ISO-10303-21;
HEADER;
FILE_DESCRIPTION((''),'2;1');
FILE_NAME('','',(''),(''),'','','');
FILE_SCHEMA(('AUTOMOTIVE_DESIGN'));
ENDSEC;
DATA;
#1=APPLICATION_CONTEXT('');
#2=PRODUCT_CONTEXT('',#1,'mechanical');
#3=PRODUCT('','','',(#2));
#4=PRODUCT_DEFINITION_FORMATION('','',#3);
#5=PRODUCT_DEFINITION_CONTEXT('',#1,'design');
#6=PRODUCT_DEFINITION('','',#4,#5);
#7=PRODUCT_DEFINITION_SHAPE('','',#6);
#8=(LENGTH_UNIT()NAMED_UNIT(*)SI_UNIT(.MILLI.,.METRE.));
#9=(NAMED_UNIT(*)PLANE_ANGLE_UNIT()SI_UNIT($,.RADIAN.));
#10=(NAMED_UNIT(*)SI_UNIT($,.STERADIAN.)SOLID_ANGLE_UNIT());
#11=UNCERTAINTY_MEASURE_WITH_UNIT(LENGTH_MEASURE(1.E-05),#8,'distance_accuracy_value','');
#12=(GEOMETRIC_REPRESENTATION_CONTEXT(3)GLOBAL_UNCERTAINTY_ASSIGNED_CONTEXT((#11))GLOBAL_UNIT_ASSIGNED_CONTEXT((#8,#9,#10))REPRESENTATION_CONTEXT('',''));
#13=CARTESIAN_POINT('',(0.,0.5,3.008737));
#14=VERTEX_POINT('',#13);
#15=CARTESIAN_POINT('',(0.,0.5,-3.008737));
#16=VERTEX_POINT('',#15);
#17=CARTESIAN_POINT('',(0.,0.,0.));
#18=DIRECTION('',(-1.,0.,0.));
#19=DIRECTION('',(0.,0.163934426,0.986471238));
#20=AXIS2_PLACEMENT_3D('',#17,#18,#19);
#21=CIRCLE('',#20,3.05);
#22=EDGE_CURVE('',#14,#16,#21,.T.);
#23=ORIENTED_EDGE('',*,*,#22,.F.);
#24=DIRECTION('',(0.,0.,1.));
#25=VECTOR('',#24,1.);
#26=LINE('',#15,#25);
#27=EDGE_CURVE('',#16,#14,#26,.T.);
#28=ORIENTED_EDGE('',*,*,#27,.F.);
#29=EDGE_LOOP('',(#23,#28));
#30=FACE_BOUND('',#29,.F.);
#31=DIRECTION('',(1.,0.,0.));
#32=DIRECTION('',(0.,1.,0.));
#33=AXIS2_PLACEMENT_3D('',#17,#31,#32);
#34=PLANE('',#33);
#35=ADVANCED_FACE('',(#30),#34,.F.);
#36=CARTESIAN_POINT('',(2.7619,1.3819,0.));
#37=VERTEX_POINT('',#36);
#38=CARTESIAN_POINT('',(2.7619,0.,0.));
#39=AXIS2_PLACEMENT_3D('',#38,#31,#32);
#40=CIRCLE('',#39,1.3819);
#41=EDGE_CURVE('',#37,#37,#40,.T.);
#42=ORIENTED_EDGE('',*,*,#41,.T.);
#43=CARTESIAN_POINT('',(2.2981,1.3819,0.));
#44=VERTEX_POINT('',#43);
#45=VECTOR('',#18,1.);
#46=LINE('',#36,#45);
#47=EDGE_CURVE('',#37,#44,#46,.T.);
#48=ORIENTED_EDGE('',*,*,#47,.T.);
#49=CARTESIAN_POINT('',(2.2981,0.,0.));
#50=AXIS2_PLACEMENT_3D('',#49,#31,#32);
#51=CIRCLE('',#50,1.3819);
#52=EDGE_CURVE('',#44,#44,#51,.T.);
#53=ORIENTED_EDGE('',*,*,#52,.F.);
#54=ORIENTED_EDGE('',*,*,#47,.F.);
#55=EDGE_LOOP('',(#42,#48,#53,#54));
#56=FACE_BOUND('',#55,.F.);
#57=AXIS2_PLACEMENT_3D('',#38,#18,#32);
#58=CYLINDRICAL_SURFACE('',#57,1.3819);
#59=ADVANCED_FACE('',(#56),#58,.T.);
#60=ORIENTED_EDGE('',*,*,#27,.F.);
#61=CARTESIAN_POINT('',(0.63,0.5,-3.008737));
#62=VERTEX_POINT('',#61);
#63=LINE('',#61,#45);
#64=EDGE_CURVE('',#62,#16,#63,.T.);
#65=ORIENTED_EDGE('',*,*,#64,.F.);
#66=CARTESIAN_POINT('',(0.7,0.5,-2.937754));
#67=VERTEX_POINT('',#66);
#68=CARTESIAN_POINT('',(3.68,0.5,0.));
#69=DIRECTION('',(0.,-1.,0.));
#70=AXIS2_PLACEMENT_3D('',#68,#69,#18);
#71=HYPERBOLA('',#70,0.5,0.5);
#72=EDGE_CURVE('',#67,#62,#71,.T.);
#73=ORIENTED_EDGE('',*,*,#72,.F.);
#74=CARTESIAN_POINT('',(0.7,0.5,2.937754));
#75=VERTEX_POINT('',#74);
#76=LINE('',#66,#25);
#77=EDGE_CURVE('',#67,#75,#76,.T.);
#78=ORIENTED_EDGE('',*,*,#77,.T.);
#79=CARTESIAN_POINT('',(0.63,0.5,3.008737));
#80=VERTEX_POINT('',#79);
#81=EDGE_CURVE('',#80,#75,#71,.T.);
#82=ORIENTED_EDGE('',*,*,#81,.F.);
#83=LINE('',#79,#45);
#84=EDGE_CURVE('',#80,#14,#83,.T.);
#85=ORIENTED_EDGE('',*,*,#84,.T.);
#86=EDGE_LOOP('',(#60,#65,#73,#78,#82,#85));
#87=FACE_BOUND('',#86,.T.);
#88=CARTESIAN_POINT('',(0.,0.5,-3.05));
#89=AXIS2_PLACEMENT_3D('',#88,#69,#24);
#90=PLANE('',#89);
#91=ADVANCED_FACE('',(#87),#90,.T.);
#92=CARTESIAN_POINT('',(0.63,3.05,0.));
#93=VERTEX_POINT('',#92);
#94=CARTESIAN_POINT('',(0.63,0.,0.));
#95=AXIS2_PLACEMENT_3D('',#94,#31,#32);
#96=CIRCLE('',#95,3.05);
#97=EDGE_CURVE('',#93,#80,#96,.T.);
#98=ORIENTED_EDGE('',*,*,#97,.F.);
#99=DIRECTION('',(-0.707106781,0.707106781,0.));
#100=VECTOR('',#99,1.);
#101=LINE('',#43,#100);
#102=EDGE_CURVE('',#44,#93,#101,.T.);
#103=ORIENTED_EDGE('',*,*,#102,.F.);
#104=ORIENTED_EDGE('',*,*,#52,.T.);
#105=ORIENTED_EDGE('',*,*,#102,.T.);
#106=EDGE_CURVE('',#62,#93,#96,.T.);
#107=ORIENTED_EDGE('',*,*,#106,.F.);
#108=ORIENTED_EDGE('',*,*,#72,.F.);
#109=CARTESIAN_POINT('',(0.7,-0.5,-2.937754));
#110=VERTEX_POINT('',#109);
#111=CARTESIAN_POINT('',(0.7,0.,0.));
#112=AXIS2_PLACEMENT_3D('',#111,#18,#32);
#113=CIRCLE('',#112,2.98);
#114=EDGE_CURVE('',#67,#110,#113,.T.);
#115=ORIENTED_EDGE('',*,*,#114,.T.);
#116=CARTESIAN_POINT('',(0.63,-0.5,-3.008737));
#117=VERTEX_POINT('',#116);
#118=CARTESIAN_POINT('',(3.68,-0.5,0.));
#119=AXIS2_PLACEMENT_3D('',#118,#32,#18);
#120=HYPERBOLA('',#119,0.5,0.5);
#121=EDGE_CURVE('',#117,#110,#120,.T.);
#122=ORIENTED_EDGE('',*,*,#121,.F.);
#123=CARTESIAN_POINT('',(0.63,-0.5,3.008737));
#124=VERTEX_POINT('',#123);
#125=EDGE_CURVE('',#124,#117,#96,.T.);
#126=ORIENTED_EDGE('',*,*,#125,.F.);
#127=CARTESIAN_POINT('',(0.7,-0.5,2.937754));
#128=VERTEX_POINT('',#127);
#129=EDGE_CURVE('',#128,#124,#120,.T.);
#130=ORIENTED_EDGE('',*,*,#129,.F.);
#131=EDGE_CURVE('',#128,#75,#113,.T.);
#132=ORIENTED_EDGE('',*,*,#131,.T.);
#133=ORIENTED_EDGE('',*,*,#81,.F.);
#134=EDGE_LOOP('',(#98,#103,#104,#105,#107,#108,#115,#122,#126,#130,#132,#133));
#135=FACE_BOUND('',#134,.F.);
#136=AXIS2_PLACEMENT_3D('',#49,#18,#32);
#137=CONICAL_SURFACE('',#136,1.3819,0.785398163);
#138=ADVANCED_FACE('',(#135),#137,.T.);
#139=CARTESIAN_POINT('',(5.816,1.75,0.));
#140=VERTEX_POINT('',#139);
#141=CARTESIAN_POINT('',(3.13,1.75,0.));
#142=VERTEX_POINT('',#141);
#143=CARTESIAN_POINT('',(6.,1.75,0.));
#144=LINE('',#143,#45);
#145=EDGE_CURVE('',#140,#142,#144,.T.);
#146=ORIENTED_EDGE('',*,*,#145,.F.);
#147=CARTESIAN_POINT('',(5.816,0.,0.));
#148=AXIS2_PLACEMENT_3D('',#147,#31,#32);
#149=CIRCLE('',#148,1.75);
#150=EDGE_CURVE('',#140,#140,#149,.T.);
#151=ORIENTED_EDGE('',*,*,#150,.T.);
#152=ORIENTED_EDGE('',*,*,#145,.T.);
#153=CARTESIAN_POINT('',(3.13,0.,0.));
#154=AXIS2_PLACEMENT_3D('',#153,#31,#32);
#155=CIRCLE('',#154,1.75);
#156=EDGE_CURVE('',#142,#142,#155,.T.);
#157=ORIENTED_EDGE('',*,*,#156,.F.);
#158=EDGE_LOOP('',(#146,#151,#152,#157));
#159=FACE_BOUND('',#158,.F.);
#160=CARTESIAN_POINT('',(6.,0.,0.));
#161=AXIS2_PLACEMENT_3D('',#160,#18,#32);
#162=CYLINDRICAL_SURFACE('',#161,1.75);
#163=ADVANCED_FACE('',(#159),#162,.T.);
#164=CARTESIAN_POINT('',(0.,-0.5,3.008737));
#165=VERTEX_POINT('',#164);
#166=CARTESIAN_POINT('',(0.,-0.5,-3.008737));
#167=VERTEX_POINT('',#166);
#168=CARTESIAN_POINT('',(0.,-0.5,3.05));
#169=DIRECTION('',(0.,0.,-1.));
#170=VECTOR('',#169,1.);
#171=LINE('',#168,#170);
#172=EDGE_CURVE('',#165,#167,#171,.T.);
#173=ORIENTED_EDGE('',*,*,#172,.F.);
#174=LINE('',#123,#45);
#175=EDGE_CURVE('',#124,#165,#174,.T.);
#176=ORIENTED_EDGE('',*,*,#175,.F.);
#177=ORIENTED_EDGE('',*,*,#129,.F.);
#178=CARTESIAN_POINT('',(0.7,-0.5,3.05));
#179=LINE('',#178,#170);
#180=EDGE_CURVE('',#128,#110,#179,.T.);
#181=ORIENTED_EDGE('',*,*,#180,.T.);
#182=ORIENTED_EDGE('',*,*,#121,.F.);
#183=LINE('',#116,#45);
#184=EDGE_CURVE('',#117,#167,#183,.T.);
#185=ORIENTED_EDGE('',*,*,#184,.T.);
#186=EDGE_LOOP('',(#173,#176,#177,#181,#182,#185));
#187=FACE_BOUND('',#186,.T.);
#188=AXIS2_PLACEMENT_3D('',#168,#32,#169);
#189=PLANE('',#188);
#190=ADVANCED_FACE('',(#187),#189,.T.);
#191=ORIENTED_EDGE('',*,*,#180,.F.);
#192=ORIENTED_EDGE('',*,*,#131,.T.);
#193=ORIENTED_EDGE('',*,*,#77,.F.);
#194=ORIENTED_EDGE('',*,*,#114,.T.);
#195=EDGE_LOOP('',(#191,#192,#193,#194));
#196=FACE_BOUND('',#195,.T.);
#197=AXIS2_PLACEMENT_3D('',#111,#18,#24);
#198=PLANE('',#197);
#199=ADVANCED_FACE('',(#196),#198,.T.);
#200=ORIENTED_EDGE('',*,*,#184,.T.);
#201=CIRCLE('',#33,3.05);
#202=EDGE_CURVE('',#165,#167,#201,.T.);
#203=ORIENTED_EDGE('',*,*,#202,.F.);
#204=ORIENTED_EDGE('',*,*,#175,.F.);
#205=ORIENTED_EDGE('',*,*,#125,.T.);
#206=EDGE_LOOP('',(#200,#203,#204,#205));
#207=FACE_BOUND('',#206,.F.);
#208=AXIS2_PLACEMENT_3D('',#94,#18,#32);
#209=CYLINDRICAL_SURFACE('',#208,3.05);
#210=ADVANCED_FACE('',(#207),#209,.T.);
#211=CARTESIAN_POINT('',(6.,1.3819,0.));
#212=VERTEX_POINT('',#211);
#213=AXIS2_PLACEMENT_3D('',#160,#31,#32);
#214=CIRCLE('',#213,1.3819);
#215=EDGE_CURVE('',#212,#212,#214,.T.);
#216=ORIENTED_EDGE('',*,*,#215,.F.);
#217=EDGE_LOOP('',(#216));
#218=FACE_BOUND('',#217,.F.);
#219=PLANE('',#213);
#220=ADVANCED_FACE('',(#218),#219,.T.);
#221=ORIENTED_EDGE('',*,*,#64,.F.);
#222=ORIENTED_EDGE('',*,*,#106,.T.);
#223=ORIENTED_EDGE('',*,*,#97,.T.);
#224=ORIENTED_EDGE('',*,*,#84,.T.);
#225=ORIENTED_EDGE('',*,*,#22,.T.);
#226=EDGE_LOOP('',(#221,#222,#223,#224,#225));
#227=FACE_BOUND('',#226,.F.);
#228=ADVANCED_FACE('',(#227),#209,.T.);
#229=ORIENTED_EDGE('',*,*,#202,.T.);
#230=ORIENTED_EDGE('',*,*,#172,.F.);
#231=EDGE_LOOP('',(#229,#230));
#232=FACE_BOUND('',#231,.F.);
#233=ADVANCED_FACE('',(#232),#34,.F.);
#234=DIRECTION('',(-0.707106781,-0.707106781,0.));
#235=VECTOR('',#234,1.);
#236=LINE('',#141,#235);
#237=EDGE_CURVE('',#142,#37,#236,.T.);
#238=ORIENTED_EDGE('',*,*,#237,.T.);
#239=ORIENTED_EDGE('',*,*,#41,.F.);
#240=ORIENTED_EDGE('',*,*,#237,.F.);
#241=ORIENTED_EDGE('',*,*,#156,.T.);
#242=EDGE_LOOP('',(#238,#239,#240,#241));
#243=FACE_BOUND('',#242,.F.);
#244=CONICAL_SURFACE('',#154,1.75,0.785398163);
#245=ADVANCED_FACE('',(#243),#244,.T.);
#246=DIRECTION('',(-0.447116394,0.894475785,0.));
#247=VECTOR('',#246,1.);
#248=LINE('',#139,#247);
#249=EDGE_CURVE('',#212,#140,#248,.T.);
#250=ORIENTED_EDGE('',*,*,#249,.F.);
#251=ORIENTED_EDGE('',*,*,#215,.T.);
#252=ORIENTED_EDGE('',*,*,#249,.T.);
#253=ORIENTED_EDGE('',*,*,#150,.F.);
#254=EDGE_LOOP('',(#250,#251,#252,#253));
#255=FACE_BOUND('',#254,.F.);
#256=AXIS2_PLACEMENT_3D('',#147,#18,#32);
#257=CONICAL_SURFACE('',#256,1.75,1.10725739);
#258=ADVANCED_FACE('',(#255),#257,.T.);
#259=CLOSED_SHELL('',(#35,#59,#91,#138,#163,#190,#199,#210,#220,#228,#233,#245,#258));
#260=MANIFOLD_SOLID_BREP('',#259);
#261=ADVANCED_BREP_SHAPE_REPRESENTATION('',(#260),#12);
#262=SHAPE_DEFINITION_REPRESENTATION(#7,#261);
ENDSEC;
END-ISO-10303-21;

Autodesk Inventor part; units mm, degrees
ref_plane "YZ Plane" through (0, 0, 0) normal (1, 0, 0) x (0, 1, 0)
ref_plane "XZ Plane" through (0, 0, 0) normal (0, 1, 0) x (-1, 0, 0)
sketch "Sketch1" plane through (0, 0, 0) normal (0, 0, 1) x (1, 0, 0)
  line L0 (0, 0) -> (6, 0)
  line L1 (6, 0) -> (6, 1.75)
  line L2 (6, 1.75) -> (3.13, 1.75)
  line L3 (3.13, 1.75) -> (2.7619, 1.3819)
  line L4 (2.7619, 1.3819) -> (2.2981, 1.3819)
  line L5 (2.2981, 1.3819) -> (0.63, 3.05)
  line L6 (0.63, 3.05) -> (0, 3.05)
  line L7 (0, 3.05) -> (0, 0)
  line L8 (3.13, 1.75) -> (1.93, 1.75) construction
  line L9 (-1.2, 0) -> (7.2, 0) projected
  line L10 (0, 3.66) -> (0, -0.61) projected
  dimension "d0" = 6
  dimension "d1" = 45
  dimension "d2" = 0.3681
  dimension "d3" = 2.87
  dimension "d4" = 1.93
  dimension "d5" = 2.7639
  dimension "d6" = 3.5
  dimension "d7" = 6.1
revolve "Body" add sketch "Sketch1" angle 360 about axis through (0, 0, 0) along (1, 0, 0)
sketch "Sketch2" plane through (0, 0, 0) normal (-1, 0, 0) x (0, 0, 1)
  line L0 (3.05, -0.5) -> (-3.05, -0.5)
  line L1 (-3.05, -0.5) -> (-3.05, 0.5)
  line L2 (-3.05, 0.5) -> (3.05, 0.5)
  line L3 (3.05, 0.5) -> (3.05, -0.5)
  line L4 (0, 0.5) -> (0, -0.5) construction
  line L5 (-3.05, 0) -> (3.05, 0) construction
  line L6 (0, 3.05) -> (0, 0) projected
  dimension "d15" = 1
  dimension "d16" = 6.1
extrude "Slot" cut sketch "Sketch2" against normal blind 0.7
thread "Thread" size "M3.5x0.6" class "6g" standard "ISO Metric profile" length 2.87
chamfer "Chamfer1" distance 0.3681 distance2 0.184 1 edges at (6, -1.75, 0) measured on face at (6, 1.0235, -0.4633)
ref_plane "Work Plane1" through (33.575, 0, 0) normal (0, 0, -1) x (1, 0, 0)
equation "\"d0\" = NLG"
equation "\"d1\" = 0.5 * SEWI"
equation "\"d2\" = GAL"
equation "\"d3\" = GEL"
equation "\"d4\" = KOH"
equation "\"d5\" = BDM"
equation "\"d6\" = GD"
equation "\"d7\" = KOD"
equation "\"d15\" = SBR"
equation "\"d16\" = KOD"
equation "\"d8\" = STI"
equation "\"d10\" = GEL"
equation "\"d12\" = -0.5 * SPD + 0.5 * GD"
equation "\"d13\" = 0.5 * GAL"
equation "\"NLG\" = 6"
equation "\"GAL\" = 0.61345 * PTC"
equation "\"GEL\" = 2.87"
equation "\"KOH\" = 1.93"
equation "\"KOD\" = 6.1"
equation "\"SEWI\" = 90deg"
equation "\"BDM\" = NND - 1.2269 * PTC"
equation "\"GD\" = NND"
equation "\"SBR\" = 1"
equation "\"STI\" = 0.7"
equation "\"SPD\" = NND - 1.2269 * PTC"
equation "\"GUL\" = 0.61345 * PTC"
equation "\"PTC\" = 0.6"
equation "\"EPV\" = 3.68"
equation "\"THREADDIA\" = 3.5"
equation "\"TOA\" = 30deg"
equation "\"RR\" = 0.35"
equation "\"NND\" = 3.5"
equation "\"GD1\" = THREADDIA - 1.2269 * PTC"
properties part number "AS 1427 - M3.5 x 6" material "Steel, Mild"
